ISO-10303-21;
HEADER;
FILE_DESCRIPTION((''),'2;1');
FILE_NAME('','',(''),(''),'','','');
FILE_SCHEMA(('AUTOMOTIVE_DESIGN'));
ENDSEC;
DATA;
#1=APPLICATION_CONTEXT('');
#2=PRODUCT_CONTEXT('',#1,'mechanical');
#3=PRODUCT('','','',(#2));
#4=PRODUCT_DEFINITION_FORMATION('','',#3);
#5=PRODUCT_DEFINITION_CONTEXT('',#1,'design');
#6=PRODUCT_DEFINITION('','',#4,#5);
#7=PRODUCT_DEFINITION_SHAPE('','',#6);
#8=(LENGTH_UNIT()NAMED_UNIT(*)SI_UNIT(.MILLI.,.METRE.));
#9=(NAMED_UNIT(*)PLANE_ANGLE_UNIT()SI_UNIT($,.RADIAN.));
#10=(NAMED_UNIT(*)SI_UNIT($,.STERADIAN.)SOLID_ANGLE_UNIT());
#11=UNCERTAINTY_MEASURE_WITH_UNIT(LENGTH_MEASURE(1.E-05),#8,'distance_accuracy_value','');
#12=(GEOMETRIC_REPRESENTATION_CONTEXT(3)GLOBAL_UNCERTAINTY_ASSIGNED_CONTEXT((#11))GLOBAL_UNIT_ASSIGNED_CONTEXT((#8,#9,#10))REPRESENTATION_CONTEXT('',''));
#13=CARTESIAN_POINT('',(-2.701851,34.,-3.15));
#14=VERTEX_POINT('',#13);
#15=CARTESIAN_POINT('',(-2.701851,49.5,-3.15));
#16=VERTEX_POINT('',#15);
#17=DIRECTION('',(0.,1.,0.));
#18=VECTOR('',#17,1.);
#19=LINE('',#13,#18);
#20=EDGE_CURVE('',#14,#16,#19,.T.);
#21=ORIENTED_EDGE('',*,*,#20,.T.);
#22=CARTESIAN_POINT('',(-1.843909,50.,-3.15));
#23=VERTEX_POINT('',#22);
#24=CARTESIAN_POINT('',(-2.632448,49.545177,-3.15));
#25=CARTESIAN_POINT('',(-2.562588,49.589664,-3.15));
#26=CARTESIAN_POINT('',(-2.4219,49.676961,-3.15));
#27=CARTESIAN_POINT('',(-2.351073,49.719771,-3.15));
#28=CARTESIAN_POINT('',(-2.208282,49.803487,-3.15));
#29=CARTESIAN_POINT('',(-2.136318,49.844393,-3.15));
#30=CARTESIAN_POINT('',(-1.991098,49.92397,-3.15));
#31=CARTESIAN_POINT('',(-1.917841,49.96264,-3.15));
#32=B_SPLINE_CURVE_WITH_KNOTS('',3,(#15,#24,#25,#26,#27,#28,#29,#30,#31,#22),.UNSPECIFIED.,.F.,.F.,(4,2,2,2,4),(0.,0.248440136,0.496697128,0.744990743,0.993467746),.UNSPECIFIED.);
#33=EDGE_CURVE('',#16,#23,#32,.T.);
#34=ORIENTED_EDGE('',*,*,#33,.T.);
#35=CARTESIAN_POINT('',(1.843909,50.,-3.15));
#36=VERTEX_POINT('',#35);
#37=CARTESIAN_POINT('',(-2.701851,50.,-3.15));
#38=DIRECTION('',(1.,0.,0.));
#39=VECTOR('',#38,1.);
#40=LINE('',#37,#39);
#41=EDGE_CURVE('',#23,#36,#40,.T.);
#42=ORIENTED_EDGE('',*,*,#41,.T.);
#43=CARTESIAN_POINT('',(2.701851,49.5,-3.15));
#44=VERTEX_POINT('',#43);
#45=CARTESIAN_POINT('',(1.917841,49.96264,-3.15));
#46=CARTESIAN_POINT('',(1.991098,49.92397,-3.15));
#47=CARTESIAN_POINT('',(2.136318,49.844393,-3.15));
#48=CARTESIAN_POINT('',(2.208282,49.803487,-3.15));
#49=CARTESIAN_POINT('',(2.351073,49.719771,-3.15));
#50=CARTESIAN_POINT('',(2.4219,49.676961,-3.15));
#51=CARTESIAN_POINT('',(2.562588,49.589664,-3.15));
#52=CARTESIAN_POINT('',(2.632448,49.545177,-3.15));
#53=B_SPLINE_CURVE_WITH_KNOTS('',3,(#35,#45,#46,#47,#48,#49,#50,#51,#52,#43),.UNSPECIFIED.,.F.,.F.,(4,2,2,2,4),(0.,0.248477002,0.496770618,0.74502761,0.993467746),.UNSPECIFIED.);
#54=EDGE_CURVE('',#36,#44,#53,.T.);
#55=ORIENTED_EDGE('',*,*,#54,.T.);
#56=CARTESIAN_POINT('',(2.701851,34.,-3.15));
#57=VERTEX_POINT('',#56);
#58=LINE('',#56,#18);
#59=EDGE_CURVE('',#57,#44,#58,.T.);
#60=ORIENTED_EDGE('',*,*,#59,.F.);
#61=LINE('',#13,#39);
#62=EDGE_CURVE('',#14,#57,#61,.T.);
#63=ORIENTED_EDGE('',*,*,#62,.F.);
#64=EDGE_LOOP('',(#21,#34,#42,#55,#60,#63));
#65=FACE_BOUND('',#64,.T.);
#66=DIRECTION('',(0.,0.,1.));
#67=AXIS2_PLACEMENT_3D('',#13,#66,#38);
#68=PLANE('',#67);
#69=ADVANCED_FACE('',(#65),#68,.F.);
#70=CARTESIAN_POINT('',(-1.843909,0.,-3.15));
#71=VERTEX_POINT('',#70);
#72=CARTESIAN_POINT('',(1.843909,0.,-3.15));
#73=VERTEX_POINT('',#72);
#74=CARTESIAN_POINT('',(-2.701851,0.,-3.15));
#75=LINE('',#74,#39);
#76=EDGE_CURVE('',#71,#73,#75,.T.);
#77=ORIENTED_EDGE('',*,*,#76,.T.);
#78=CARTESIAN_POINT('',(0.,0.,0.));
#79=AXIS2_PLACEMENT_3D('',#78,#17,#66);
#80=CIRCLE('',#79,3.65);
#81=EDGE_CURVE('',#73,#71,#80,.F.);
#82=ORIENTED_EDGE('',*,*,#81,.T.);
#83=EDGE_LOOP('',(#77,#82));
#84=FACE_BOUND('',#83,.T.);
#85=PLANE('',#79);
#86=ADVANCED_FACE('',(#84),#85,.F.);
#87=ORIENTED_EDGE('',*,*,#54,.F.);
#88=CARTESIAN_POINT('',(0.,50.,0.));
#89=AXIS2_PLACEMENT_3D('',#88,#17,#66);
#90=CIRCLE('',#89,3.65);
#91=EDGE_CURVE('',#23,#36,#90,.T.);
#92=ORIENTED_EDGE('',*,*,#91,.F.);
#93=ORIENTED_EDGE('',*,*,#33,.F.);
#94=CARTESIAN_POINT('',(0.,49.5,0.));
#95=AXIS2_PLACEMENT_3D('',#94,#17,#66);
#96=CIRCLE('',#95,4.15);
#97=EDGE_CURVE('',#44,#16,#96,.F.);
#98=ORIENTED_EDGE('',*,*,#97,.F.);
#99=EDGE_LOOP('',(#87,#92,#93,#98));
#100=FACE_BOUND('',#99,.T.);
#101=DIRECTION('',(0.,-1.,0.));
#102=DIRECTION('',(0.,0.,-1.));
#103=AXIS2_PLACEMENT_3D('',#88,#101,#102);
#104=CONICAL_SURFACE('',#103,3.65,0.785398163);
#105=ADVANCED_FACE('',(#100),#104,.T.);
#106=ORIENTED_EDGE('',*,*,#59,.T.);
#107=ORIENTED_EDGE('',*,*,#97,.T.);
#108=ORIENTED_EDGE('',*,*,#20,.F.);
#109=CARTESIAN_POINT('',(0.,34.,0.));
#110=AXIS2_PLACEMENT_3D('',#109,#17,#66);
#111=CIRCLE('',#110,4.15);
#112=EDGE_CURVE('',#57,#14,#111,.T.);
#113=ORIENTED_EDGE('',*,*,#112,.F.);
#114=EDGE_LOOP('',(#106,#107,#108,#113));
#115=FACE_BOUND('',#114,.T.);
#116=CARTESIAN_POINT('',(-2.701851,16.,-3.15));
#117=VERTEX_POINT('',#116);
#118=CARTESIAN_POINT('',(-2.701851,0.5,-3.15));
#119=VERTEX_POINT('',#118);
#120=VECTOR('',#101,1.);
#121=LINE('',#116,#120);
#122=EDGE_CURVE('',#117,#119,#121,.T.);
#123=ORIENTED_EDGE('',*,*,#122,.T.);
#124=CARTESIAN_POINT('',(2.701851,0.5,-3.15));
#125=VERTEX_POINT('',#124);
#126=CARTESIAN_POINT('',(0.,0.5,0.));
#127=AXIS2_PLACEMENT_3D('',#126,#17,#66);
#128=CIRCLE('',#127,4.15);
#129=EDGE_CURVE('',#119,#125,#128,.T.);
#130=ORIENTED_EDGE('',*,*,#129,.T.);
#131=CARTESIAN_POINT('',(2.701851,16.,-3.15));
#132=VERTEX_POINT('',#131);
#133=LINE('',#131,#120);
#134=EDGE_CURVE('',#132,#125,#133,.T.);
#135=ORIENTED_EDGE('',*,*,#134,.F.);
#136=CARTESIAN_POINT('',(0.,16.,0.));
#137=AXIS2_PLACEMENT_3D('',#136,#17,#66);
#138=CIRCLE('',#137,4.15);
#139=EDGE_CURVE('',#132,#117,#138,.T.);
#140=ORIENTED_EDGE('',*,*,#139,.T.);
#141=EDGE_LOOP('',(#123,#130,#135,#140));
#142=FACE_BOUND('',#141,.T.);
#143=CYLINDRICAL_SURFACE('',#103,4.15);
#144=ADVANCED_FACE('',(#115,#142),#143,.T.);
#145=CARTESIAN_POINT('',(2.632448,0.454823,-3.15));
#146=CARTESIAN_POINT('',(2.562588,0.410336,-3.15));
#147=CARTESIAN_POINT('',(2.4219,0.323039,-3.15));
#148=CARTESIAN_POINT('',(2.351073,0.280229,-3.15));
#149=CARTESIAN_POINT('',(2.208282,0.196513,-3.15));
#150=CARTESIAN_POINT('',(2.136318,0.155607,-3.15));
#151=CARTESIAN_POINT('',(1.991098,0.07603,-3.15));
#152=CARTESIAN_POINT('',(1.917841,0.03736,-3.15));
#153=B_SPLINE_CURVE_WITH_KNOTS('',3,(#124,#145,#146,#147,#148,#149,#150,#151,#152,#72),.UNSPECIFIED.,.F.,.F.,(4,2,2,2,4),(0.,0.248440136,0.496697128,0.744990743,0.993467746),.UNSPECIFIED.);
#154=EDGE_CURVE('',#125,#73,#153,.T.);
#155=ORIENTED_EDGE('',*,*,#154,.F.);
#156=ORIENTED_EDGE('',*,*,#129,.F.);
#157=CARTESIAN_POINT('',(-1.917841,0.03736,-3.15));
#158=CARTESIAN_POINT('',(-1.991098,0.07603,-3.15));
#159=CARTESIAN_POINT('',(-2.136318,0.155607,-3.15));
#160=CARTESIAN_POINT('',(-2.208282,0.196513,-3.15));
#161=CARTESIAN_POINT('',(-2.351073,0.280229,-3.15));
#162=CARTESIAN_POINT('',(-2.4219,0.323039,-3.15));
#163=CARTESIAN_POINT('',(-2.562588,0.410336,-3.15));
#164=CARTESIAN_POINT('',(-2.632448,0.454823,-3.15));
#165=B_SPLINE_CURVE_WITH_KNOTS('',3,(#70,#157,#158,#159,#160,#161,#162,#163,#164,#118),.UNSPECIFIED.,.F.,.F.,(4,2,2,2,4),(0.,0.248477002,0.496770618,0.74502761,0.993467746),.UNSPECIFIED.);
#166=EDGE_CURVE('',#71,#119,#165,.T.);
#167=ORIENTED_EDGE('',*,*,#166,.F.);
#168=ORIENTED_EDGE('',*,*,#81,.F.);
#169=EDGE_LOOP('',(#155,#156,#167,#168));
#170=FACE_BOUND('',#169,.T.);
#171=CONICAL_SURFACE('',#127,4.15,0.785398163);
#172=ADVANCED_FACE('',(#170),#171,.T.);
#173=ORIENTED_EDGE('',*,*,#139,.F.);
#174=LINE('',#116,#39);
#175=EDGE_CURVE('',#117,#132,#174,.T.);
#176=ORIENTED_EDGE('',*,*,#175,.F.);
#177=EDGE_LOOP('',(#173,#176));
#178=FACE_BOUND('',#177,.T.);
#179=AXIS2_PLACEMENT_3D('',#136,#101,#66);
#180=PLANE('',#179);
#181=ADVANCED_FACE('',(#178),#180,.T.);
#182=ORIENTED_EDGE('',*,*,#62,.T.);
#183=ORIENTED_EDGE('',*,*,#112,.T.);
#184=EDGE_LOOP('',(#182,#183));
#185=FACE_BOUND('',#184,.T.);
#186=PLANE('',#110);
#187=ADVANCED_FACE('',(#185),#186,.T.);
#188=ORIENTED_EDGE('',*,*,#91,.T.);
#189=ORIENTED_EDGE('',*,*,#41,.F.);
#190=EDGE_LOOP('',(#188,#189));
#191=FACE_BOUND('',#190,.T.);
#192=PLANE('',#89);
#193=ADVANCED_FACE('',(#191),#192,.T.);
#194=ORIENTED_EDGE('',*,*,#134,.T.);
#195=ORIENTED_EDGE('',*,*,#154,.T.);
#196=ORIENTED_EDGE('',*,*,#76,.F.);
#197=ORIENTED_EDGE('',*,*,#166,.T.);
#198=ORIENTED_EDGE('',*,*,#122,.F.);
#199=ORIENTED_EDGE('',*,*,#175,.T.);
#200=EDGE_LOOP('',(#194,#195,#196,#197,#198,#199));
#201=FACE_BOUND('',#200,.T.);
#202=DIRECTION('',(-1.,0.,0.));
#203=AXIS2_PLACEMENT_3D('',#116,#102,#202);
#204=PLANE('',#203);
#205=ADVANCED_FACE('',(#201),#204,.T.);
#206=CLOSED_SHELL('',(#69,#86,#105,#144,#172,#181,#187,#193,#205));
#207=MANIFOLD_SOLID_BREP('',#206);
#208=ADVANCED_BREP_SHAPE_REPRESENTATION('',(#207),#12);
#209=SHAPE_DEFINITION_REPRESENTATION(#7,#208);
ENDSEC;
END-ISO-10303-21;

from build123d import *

# Parameters (mm, degrees)
SKETCH1_R           = 4.15
BOSS_EXTRUDE1_DEPTH = 50
CUT_EXTRUDE1_DEPTH  = 16
CHAMFER1_SIZE       = 0.5


with BuildPart() as part:
    # Sketch1 → Boss-Extrude1 (new body)
    with BuildSketch(Plane(origin=(0, 0, 0), x_dir=(1, 0, 0), z_dir=(0, 1, 0))):
        Circle(SKETCH1_R)
    extrude(amount=BOSS_EXTRUDE1_DEPTH)

    # Sketch2 → Cut-Extrude1 (cut)
    with BuildSketch(Plane(origin=(0, 50, 0), x_dir=(1, 0, 0), z_dir=(0, 1, 0))):
        with BuildLine():
            Line((-2.701851217, 3.15), (2.701851217, 3.15))
            ThreePointArc((2.701851217, 3.15), (0, 4.15), (-2.701851217, 3.15))
        make_face()
    cut_extrude1 = extrude(amount=-CUT_EXTRUDE1_DEPTH, mode=Mode.SUBTRACT)

    # Mirror1: Cut-Extrude1 across plane
    add(cut_extrude1.mirror(Plane.ZX.offset(25)), mode=Mode.SUBTRACT)

    # Chamfer1
    chamfer1_edges = [part.edges().sort_by_distance(p)[0] for p in [
        (-1.733467255, 0, 3.770622134),
        (-1.733467255, 50, 3.770622134),
    ]]
    chamfer(chamfer1_edges, length=CHAMFER1_SIZE)


solid = part.part
